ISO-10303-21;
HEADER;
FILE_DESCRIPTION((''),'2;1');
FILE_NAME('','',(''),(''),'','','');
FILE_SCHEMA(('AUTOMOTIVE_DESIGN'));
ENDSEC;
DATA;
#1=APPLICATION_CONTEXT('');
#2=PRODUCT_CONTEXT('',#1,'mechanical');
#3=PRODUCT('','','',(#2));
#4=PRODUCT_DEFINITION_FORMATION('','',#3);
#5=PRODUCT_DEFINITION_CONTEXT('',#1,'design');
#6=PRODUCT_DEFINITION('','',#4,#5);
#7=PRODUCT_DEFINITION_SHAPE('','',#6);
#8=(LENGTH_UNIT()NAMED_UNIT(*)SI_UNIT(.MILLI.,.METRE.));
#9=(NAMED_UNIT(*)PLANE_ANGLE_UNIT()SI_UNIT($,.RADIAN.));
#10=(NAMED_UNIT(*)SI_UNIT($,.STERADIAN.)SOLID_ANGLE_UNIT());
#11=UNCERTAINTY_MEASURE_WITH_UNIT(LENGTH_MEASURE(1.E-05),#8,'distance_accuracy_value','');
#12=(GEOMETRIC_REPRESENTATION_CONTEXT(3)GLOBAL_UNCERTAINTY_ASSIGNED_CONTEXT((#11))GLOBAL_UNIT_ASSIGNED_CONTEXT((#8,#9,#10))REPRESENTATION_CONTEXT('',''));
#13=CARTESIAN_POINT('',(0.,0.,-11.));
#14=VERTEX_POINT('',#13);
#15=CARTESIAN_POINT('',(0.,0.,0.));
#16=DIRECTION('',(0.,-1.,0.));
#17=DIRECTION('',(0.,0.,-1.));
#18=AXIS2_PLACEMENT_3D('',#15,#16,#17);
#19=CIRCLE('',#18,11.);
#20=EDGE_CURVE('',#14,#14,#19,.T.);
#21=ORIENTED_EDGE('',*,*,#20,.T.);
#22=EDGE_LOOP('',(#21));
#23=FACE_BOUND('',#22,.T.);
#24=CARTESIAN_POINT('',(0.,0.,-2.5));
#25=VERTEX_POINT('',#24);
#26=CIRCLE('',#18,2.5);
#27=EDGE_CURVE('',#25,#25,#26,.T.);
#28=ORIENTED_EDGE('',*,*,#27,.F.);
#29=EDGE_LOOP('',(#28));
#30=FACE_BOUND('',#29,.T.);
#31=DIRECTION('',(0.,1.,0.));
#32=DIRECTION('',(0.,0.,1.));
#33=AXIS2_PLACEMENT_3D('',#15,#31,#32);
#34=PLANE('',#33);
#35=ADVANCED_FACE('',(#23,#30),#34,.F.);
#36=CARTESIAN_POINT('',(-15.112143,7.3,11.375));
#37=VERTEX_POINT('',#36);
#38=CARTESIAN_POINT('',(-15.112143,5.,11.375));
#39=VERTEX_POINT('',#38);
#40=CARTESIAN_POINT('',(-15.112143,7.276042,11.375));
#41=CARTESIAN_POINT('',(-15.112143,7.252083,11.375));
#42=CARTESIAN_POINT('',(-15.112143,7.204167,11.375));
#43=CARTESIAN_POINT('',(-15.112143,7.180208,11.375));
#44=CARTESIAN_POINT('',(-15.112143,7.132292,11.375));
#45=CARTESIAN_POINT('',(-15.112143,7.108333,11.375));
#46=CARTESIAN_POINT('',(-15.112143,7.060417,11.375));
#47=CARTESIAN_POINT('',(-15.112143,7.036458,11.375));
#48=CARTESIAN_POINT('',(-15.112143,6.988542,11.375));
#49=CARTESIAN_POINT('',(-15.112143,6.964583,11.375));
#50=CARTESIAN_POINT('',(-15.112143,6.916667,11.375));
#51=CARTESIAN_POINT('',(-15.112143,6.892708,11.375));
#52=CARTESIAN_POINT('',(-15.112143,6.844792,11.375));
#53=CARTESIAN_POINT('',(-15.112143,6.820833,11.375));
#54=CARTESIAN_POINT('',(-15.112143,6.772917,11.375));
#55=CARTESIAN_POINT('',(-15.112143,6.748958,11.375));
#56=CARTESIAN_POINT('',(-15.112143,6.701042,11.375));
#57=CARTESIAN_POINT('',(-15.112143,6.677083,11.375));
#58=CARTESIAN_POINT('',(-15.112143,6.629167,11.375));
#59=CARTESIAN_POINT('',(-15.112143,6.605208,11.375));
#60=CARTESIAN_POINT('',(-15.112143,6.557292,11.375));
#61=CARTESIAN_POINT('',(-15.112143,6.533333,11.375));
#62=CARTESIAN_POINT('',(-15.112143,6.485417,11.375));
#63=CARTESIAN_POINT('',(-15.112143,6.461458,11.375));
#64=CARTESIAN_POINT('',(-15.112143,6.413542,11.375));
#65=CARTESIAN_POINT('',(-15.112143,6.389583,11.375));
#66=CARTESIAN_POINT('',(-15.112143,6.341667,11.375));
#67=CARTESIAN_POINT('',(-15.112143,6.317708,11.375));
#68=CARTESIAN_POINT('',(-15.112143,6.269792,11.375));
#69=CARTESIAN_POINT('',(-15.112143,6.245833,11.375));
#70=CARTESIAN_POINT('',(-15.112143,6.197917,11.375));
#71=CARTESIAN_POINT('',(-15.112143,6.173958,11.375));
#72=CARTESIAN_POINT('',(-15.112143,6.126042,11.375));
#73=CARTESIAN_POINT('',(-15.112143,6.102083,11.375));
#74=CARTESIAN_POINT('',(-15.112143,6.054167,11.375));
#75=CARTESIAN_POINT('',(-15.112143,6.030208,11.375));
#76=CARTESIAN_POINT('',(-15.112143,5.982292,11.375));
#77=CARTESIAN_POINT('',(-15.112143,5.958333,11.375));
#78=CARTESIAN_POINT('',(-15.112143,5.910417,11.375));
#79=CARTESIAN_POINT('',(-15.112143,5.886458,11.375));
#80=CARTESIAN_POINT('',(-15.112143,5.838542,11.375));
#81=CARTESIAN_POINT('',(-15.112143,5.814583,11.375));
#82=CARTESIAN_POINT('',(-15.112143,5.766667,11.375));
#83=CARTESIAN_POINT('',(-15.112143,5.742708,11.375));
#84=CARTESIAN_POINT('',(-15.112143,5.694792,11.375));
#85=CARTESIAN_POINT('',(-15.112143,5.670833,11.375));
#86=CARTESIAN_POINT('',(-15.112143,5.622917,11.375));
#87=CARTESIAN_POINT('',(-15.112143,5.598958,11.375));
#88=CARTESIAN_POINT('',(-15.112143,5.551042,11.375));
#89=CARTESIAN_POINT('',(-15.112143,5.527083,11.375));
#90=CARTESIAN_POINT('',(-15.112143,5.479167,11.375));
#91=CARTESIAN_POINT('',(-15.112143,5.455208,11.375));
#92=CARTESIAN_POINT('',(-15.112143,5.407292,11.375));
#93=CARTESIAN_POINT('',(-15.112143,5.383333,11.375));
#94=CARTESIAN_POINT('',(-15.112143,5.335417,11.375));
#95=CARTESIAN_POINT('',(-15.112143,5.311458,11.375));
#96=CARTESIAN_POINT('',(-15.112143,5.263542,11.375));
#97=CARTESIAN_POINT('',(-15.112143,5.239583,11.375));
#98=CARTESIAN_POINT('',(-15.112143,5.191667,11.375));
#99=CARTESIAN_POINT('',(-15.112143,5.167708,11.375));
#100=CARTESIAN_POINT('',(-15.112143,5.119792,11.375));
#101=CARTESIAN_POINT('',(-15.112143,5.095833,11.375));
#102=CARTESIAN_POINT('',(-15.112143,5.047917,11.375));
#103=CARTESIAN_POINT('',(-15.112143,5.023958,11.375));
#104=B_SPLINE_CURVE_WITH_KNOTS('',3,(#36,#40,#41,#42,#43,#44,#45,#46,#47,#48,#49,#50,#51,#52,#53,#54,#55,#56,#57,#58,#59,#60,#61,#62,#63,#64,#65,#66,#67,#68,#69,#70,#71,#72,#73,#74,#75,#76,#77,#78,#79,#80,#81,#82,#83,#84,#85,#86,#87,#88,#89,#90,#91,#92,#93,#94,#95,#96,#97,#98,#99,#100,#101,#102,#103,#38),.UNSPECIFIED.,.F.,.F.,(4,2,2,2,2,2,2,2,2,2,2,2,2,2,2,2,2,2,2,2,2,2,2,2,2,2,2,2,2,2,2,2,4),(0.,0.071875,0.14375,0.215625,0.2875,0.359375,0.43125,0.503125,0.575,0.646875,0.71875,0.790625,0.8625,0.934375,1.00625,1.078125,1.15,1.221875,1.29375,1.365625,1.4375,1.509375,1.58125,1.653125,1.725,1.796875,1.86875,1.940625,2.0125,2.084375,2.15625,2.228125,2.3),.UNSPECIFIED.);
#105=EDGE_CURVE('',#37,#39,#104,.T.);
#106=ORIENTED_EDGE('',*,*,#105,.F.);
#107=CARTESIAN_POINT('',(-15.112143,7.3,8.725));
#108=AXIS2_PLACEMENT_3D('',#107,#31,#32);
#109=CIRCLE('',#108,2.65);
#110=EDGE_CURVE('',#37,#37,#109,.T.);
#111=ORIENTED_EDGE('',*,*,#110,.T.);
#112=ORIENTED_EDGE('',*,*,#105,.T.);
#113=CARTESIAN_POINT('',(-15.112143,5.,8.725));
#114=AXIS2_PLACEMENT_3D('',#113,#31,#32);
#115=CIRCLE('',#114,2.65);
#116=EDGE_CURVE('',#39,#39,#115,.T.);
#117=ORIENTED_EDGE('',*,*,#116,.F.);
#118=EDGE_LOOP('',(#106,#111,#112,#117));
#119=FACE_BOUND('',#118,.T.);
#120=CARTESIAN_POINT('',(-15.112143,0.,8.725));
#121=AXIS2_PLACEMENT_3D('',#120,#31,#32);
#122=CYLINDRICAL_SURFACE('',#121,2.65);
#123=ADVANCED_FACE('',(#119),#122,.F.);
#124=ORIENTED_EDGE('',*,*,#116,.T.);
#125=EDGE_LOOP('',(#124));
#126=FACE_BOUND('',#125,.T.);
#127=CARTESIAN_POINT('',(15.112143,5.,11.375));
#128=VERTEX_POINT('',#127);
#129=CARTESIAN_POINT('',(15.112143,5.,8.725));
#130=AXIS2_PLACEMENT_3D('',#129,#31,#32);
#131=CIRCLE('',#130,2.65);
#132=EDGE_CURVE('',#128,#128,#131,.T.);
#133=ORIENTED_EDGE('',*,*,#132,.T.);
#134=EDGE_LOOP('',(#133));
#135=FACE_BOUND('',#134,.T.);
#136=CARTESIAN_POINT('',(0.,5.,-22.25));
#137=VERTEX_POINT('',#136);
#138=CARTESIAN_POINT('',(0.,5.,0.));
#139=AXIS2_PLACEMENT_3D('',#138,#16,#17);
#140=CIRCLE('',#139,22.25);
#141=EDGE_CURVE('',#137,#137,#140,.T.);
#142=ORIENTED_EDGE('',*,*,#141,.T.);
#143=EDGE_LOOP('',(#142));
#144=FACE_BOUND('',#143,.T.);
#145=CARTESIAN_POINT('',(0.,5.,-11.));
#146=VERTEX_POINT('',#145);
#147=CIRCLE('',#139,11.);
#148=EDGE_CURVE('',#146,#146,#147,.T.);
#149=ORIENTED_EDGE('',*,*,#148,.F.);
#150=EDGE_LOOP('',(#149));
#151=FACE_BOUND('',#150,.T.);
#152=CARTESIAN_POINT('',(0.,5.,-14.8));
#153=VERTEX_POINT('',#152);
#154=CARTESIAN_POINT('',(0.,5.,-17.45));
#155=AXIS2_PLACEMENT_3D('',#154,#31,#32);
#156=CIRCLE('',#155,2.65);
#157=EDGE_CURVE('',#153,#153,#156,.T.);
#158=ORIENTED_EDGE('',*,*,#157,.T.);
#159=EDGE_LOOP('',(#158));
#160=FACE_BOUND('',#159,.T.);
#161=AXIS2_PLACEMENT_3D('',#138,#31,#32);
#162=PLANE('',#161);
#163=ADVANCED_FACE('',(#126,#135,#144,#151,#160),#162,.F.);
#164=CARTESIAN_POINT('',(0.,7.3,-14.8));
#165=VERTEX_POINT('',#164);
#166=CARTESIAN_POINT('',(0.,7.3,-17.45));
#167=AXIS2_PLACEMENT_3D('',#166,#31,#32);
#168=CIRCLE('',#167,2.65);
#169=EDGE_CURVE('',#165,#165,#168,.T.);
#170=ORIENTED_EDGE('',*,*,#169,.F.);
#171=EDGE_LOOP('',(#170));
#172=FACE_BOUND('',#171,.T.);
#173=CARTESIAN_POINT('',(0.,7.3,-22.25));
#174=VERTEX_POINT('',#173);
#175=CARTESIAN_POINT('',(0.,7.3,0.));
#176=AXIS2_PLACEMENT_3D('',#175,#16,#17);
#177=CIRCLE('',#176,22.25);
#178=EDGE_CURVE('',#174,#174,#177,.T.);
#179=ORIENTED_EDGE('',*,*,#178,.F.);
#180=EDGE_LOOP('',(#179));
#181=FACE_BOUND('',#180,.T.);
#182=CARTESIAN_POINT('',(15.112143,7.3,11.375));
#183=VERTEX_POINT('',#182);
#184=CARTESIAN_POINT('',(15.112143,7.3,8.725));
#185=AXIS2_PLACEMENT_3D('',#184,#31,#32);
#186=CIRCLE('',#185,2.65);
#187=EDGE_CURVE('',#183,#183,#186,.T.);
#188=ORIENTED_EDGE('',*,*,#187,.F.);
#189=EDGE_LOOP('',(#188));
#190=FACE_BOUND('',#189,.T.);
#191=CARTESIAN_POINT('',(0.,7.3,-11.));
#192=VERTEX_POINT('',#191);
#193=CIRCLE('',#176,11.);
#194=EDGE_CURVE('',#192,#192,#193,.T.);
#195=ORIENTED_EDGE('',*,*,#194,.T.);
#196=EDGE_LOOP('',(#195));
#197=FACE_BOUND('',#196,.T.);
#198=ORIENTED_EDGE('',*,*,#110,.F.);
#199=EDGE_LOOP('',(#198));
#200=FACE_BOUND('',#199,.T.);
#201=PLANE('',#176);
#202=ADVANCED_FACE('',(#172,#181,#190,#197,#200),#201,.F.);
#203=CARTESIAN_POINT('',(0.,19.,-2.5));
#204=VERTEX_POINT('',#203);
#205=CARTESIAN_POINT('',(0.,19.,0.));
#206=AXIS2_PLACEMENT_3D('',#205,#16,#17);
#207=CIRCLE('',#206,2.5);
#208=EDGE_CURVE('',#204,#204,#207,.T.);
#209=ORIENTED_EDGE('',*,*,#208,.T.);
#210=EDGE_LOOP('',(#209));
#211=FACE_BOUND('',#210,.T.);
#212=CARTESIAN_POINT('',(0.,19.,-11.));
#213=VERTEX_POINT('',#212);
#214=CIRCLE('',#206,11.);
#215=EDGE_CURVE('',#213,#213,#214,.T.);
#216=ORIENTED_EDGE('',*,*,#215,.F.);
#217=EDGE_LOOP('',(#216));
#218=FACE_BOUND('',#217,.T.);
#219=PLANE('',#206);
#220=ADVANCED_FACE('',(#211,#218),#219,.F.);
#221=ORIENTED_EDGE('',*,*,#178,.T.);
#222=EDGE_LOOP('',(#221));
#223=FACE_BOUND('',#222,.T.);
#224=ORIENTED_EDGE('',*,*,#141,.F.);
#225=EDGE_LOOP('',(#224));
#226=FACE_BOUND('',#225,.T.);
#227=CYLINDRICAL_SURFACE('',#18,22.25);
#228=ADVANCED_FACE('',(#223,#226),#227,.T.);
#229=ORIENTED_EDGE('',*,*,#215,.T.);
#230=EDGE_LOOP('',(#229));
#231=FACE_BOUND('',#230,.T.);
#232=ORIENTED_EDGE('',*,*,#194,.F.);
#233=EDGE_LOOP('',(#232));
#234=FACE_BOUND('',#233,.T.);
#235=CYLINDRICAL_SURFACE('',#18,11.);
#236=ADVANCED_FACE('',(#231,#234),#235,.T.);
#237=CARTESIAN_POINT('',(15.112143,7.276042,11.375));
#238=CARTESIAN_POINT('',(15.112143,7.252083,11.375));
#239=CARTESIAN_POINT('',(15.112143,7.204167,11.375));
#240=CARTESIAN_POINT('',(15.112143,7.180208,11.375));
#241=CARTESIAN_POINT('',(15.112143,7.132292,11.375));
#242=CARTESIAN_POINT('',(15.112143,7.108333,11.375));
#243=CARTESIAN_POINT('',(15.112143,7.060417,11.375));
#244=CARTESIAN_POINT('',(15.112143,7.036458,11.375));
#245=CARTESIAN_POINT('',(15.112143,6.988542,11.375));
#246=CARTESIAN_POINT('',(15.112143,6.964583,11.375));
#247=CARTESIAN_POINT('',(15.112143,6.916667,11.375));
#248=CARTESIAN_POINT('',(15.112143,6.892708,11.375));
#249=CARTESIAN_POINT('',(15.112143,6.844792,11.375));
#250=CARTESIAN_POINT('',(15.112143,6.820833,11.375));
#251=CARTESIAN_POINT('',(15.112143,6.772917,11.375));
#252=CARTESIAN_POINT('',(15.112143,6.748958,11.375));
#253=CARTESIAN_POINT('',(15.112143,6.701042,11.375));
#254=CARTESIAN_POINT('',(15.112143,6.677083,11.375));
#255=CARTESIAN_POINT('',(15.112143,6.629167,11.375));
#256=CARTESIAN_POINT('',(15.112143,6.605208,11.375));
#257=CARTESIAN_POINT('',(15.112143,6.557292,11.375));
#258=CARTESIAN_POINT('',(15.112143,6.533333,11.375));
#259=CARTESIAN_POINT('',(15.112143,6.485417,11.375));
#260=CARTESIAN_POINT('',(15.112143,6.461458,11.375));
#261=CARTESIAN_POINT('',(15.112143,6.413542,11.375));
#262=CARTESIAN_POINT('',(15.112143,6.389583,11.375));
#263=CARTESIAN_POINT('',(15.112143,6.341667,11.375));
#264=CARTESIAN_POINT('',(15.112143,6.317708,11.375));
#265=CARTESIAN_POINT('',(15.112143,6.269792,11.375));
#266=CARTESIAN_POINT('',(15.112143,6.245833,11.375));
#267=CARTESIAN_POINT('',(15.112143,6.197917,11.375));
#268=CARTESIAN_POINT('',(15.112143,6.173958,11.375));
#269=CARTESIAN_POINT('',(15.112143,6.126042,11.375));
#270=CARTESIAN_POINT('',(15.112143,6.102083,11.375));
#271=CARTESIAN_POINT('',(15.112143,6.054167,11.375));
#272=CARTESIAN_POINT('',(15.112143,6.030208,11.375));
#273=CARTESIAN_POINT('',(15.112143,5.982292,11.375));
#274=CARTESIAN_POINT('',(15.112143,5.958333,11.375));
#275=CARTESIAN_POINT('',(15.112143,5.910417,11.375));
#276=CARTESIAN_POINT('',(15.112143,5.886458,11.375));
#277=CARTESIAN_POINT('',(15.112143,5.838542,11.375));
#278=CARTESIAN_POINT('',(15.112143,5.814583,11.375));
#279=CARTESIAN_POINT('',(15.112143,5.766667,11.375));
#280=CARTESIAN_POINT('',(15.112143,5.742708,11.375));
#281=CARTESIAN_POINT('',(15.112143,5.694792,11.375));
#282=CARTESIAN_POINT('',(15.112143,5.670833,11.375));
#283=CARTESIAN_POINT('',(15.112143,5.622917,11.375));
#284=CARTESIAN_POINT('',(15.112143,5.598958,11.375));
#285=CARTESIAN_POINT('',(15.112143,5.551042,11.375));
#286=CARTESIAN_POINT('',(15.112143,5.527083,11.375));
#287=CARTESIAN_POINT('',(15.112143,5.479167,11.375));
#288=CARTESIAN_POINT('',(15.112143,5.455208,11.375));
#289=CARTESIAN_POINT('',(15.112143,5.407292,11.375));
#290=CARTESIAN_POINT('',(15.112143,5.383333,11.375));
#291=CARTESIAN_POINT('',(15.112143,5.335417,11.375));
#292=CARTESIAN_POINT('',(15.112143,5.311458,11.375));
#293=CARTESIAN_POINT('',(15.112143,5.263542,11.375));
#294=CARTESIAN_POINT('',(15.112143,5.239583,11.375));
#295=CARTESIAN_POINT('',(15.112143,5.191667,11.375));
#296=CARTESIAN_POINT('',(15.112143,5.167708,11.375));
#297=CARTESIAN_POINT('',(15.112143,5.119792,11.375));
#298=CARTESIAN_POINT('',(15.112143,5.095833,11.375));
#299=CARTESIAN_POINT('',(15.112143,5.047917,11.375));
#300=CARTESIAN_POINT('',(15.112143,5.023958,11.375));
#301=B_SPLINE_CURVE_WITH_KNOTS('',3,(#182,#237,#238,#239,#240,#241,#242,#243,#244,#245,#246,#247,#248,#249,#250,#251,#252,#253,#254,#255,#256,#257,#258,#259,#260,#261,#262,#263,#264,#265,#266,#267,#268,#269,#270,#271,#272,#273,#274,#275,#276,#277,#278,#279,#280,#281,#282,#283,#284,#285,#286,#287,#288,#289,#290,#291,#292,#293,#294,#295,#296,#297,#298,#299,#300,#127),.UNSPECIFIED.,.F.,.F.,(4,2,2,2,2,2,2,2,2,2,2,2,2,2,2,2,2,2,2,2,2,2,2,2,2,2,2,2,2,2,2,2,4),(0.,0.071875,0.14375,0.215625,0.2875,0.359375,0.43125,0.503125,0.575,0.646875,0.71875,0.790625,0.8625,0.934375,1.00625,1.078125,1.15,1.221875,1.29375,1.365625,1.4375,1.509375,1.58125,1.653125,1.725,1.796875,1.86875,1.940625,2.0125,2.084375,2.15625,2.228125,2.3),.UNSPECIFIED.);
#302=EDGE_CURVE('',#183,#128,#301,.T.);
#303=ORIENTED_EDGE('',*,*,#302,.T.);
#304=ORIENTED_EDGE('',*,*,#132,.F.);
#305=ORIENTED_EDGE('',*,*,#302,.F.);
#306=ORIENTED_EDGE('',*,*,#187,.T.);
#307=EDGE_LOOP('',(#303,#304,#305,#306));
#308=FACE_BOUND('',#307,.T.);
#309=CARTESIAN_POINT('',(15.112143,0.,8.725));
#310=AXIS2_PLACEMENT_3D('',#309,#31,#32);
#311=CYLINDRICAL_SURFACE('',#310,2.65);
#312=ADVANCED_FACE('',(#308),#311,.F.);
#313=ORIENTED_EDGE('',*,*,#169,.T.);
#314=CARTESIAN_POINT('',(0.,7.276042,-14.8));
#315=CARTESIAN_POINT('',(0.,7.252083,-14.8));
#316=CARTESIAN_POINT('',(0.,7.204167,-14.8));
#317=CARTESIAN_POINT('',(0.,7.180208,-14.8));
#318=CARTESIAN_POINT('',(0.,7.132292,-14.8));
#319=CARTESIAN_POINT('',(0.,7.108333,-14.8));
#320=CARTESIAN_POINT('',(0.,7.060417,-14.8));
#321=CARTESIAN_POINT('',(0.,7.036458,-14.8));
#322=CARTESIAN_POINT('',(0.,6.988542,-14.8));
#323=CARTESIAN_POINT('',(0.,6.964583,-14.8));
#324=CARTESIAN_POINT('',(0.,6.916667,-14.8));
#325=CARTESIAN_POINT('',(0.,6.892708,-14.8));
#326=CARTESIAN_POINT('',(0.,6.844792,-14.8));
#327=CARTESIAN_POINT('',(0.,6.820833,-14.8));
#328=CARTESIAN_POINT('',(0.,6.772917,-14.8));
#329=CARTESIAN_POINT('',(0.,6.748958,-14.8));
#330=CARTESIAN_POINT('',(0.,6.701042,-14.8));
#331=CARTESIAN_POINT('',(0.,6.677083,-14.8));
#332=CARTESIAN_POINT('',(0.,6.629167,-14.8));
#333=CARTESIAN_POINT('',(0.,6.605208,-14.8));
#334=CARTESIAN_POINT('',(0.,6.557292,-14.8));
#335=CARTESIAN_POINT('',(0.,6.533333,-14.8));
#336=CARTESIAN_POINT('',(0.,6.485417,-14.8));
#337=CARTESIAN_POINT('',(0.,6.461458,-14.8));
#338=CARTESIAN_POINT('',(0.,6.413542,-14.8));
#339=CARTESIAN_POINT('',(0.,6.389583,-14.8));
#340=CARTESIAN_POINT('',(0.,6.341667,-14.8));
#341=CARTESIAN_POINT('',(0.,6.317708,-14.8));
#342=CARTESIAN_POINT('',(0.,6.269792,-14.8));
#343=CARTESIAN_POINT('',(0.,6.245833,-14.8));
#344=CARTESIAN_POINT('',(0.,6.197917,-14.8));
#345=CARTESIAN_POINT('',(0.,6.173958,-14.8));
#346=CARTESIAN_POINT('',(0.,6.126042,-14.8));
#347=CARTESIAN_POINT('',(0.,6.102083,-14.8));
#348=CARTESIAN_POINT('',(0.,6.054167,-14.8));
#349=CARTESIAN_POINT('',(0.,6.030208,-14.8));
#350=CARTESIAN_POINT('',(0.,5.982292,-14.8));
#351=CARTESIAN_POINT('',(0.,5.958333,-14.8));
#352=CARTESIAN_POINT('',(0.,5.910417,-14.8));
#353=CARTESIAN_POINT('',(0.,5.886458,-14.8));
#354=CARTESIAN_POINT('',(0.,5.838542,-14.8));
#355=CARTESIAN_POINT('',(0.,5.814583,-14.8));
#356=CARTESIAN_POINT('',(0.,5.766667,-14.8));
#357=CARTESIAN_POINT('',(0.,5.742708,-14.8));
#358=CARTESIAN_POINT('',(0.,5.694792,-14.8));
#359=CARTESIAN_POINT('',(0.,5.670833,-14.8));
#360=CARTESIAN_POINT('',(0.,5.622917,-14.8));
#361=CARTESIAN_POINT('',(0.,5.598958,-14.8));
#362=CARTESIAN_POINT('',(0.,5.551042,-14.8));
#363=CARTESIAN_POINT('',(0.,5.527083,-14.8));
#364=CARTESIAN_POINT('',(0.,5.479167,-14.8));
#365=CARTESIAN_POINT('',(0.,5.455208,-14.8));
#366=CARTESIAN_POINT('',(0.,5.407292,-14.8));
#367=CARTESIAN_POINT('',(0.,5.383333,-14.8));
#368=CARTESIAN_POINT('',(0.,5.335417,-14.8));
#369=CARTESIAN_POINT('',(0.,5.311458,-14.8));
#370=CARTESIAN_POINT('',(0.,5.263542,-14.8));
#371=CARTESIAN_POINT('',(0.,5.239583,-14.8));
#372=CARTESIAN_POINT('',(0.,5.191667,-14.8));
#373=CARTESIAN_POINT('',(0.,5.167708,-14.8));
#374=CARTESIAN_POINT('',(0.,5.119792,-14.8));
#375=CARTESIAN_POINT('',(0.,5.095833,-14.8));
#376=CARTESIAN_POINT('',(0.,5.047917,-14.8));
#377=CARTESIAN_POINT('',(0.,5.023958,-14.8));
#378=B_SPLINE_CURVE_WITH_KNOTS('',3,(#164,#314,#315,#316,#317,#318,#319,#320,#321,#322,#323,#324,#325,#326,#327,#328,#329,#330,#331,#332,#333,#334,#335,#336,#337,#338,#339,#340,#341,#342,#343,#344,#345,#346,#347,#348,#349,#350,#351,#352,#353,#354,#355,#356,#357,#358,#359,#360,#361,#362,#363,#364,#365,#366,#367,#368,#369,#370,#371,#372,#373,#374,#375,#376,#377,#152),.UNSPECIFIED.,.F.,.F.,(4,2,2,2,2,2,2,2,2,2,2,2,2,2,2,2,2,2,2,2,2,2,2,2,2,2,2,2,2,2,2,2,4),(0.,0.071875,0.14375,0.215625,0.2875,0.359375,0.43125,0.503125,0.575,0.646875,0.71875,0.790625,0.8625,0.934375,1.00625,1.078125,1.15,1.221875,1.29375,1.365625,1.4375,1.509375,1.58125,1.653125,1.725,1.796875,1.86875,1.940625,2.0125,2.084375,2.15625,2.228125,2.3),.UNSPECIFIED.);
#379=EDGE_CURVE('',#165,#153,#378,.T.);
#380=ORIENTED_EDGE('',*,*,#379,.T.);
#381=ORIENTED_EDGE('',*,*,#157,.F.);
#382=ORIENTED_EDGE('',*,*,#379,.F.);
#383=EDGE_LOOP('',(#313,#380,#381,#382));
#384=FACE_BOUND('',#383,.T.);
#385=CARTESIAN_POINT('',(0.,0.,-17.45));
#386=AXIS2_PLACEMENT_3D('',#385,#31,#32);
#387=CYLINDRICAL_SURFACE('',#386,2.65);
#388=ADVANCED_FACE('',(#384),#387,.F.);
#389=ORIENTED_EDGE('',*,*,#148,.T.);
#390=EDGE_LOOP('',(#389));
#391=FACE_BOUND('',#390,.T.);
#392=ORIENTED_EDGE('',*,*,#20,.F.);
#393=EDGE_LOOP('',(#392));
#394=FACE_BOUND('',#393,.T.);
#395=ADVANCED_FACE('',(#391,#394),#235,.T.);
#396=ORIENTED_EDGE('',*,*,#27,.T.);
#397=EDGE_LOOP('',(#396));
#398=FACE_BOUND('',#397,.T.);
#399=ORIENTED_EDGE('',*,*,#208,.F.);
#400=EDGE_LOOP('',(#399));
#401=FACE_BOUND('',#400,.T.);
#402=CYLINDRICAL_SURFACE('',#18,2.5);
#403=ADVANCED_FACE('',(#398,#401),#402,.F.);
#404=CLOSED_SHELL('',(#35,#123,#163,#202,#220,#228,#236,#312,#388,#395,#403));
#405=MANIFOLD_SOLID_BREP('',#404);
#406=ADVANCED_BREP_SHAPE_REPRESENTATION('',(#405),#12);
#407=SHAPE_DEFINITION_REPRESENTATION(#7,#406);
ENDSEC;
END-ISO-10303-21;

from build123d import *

# Parameters (mm, degrees)
SKETCH2_R          = 2.65
CUT_EXTRUDE1_DEPTH = 34.571044071


with BuildPart() as part:
    # Sketch1 → Revolve1 (revolve)
    with BuildSketch(Plane.XY, mode=Mode.PRIVATE) as revolve1_sk:
        Polygon((-2.5, 0), (-2.5, 19), (-11, 19), (-11, 7.3), (-22.25, 7.3), (-22.25, 5), (-11, 5), (-11, 0), align=None)
    revolve(revolve1_sk.sketch.rotate(Axis((0, 0, 0), (0, 1, 0)), 270), axis=Axis((0, 0, 0), (0, 1, 0)))

    # Sketch2 → Cut-Extrude1 (cut, through all)
    with BuildSketch(Plane(origin=(0, 7.3, 0), x_dir=(1, 0, 0), z_dir=(0, 1, 0))):
        with Locations(Location((0, 17.45, 0), (0, 0, 270))):
            Circle(SKETCH2_R)
        with Locations(Location((15.112143296, -8.725, 0), (0, 0, 270))):
            Circle(SKETCH2_R)
        with Locations(Location((-15.112143296, -8.725, 0), (0, 0, 270))):
            Circle(SKETCH2_R)
    extrude(amount=-CUT_EXTRUDE1_DEPTH, mode=Mode.SUBTRACT)


solid = part.part
